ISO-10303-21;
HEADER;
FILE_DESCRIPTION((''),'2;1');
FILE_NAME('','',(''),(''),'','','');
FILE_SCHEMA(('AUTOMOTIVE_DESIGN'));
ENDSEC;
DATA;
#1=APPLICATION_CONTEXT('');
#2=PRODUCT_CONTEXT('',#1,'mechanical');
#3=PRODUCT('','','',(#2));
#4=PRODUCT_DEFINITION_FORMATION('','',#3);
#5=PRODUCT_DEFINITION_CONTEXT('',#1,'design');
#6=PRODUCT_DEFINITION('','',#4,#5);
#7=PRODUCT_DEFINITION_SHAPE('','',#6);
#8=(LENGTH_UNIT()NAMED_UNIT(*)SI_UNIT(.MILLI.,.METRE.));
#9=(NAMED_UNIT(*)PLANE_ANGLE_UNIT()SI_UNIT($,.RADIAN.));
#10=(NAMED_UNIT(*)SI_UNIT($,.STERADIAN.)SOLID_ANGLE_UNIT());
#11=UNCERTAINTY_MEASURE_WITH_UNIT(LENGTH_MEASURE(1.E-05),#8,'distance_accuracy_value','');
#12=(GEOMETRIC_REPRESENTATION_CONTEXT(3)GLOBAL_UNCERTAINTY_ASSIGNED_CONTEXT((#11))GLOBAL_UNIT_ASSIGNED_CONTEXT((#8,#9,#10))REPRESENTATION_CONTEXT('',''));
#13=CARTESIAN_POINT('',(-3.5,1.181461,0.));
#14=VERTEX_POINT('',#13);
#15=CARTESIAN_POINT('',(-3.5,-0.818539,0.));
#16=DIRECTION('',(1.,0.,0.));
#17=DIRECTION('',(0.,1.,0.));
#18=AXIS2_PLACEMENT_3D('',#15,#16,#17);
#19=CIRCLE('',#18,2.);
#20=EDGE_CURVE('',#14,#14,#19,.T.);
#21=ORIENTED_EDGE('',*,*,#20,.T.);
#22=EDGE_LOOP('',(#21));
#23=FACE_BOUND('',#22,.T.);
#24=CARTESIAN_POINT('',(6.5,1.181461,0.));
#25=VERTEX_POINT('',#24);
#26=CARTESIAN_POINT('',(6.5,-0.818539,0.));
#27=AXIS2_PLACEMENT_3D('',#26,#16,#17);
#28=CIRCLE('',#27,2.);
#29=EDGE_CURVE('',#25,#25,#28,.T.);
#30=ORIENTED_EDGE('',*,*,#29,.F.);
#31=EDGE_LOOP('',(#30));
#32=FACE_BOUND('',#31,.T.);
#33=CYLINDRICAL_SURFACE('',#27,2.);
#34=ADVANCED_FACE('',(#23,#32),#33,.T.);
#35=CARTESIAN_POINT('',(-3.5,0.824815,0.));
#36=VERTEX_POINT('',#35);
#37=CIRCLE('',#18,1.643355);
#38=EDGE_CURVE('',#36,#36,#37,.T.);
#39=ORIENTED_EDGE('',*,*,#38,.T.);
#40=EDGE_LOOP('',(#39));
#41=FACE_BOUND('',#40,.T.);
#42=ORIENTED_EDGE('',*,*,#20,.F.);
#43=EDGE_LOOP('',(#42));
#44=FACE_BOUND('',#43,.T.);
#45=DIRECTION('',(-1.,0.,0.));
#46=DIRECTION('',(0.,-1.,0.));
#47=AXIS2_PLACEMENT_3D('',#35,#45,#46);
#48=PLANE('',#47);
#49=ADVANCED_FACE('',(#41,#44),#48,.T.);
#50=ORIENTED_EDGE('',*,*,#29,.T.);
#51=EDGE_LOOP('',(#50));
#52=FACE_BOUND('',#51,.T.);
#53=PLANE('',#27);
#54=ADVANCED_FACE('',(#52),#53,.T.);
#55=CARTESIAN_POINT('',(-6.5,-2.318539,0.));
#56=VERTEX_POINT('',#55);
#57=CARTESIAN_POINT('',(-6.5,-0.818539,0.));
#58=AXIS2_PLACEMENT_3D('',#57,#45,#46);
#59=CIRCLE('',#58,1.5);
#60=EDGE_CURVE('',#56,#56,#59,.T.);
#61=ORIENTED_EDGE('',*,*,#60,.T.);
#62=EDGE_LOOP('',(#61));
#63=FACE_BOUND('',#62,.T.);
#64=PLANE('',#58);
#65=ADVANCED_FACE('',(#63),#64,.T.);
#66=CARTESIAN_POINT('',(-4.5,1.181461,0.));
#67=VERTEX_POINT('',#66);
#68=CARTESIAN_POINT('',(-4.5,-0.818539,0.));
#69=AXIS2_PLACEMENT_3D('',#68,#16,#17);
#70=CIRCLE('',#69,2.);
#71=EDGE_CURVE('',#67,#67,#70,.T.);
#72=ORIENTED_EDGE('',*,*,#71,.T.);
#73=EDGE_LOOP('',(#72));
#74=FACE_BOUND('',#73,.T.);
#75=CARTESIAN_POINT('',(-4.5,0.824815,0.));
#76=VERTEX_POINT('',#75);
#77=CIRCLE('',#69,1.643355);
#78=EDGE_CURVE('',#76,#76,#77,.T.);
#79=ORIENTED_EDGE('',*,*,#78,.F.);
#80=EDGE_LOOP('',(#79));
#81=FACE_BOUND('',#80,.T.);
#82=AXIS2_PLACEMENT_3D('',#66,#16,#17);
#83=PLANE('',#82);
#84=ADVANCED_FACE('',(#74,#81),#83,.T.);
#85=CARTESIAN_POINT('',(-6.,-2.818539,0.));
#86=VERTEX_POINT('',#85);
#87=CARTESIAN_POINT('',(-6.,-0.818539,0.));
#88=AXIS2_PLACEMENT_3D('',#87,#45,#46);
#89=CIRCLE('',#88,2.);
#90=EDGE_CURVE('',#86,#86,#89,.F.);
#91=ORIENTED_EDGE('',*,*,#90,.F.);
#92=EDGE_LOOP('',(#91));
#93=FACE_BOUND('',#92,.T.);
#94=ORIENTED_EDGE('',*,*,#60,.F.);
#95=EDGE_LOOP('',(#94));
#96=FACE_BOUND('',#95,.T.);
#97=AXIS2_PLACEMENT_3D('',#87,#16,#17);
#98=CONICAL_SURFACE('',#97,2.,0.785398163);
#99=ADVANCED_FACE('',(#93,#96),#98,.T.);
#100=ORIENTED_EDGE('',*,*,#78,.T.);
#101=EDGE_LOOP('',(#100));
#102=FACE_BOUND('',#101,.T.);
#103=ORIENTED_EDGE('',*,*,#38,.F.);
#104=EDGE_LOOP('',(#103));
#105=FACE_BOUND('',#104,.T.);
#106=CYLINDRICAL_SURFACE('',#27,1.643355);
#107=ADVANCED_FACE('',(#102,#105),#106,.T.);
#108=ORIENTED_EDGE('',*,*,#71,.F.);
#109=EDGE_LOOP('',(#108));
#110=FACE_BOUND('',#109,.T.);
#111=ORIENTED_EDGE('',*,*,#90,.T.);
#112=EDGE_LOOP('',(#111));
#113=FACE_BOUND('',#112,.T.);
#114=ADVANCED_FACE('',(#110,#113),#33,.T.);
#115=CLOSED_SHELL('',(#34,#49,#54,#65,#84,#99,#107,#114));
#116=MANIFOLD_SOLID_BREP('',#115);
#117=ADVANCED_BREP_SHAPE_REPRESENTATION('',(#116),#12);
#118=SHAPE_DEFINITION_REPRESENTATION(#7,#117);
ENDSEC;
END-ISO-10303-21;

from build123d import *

# Parameters (mm, degrees)
CHAMFER1_SIZE = 0.5


with BuildPart() as part:
    # Sketch1 → Revolve1 (revolve)
    with BuildSketch(Plane.XY):
        Polygon((-4.5, 1.181460584), (-4.5, 0.824815452), (-3.5, 0.824815452), (-3.5, 1.181460584), (6.5, 1.181460584), (6.5, -0.818539416), (-6.5, -0.818539416), (-6.5, 1.181460584), align=None)
    revolve(axis=Axis((6.5, -0.818539416, 0), (-1, 0, 0)))

    # Chamfer1
    chamfer1_edges = [part.edges().sort_by_distance(p)[0] for p in [
        (-6.5, -2.818539416, 0),
    ]]
    chamfer(chamfer1_edges, length=CHAMFER1_SIZE)


solid = part.part
